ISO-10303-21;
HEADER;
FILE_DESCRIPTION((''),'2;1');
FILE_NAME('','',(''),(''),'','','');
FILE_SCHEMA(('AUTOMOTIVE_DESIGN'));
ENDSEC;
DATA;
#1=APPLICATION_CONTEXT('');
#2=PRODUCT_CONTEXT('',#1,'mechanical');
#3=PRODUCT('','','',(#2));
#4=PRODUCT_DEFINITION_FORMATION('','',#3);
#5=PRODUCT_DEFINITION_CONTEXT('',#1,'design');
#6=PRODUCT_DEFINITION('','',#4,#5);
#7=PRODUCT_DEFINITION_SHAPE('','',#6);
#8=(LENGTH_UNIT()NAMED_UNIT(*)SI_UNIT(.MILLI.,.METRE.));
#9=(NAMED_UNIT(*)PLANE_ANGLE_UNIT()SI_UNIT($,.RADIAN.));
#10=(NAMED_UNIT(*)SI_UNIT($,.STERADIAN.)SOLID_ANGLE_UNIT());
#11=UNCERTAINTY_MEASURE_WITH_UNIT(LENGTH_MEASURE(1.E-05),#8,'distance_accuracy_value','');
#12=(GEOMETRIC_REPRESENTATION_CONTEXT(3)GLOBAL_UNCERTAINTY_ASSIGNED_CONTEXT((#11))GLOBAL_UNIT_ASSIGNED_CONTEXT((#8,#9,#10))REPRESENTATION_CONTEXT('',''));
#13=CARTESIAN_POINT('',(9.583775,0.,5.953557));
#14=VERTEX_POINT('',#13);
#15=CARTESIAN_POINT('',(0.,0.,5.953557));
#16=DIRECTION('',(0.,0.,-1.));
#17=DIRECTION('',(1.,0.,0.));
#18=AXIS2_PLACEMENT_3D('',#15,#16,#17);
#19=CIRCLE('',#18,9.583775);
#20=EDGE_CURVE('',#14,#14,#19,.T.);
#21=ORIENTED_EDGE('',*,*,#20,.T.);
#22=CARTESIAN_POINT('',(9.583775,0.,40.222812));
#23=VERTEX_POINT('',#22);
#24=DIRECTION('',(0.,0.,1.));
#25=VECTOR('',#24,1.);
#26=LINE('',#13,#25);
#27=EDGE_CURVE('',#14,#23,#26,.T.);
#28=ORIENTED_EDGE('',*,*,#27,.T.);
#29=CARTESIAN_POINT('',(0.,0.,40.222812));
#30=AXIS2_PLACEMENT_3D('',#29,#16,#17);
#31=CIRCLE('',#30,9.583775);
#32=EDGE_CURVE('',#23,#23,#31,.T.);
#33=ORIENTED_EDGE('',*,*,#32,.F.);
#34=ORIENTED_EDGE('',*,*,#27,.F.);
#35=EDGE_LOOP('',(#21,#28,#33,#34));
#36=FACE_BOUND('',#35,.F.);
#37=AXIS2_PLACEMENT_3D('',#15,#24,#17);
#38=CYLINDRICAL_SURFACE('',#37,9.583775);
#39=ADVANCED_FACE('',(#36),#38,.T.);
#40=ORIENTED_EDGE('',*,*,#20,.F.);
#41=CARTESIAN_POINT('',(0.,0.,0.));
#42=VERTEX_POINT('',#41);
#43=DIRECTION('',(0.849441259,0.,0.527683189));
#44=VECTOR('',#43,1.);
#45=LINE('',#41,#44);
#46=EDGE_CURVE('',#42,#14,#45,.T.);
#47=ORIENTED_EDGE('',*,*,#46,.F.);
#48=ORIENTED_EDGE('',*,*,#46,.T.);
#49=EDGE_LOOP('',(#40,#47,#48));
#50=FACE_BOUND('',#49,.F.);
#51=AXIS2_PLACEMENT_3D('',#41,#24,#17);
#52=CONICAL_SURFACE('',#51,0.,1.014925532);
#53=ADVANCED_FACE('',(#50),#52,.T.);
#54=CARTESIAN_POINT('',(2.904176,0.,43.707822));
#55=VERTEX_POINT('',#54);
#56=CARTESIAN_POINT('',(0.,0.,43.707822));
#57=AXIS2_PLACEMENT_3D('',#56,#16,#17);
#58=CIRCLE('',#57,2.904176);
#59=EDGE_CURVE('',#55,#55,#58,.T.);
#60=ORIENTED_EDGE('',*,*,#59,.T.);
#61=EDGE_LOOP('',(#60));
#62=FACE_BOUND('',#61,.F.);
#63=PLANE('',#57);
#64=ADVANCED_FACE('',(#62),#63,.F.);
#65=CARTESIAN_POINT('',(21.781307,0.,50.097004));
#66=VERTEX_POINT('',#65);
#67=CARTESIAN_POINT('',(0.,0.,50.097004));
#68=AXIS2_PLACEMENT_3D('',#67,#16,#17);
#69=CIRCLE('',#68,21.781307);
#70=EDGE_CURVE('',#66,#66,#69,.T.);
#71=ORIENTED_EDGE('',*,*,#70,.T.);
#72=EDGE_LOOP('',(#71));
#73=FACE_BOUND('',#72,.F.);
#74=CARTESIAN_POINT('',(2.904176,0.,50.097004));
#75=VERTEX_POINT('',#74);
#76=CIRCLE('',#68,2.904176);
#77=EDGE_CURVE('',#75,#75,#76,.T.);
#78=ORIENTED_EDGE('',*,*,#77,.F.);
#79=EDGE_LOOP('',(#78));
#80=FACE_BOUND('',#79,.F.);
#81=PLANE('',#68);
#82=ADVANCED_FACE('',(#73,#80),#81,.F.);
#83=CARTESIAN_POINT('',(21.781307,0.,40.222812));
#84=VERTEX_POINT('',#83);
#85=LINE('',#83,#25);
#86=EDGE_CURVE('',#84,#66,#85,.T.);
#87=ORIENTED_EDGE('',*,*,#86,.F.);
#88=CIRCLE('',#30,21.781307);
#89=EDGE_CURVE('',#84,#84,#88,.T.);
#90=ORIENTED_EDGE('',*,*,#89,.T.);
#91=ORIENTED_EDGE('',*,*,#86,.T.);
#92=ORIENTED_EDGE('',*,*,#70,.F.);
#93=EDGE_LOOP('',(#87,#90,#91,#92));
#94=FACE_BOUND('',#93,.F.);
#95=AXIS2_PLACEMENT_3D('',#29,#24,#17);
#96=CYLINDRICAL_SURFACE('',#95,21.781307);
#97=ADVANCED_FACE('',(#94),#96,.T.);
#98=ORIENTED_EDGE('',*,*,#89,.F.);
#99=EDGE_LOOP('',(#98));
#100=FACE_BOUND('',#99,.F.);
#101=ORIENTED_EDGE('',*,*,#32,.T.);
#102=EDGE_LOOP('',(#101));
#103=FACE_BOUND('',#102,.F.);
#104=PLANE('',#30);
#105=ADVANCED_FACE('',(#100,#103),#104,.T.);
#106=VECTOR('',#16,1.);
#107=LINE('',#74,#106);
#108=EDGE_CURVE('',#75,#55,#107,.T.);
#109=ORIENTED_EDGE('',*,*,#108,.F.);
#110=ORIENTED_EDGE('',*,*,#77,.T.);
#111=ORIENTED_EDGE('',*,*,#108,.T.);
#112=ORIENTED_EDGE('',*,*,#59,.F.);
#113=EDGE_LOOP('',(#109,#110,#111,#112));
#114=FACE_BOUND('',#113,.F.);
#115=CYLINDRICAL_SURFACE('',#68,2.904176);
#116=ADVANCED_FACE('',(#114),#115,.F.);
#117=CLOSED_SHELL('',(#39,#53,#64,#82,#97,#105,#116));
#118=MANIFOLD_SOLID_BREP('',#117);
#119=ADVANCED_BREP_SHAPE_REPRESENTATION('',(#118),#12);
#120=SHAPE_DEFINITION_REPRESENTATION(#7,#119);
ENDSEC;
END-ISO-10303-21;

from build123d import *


with BuildPart() as f1:
    # F0 (on Front) → F1 (revolve)
    with BuildSketch(Plane.XZ):
        Polygon((0, 43.707822), (0, 0), (9.583775, 5.953557), (9.583775, 40.222812), (21.781307, 40.222812), (21.781307, 50.097004), (2.904176, 50.097004), (2.904176, 43.707822), align=None)
    revolve(axis=Axis((0, 0, 21.853911), (0, 0, -1)))


solid = f1.part
